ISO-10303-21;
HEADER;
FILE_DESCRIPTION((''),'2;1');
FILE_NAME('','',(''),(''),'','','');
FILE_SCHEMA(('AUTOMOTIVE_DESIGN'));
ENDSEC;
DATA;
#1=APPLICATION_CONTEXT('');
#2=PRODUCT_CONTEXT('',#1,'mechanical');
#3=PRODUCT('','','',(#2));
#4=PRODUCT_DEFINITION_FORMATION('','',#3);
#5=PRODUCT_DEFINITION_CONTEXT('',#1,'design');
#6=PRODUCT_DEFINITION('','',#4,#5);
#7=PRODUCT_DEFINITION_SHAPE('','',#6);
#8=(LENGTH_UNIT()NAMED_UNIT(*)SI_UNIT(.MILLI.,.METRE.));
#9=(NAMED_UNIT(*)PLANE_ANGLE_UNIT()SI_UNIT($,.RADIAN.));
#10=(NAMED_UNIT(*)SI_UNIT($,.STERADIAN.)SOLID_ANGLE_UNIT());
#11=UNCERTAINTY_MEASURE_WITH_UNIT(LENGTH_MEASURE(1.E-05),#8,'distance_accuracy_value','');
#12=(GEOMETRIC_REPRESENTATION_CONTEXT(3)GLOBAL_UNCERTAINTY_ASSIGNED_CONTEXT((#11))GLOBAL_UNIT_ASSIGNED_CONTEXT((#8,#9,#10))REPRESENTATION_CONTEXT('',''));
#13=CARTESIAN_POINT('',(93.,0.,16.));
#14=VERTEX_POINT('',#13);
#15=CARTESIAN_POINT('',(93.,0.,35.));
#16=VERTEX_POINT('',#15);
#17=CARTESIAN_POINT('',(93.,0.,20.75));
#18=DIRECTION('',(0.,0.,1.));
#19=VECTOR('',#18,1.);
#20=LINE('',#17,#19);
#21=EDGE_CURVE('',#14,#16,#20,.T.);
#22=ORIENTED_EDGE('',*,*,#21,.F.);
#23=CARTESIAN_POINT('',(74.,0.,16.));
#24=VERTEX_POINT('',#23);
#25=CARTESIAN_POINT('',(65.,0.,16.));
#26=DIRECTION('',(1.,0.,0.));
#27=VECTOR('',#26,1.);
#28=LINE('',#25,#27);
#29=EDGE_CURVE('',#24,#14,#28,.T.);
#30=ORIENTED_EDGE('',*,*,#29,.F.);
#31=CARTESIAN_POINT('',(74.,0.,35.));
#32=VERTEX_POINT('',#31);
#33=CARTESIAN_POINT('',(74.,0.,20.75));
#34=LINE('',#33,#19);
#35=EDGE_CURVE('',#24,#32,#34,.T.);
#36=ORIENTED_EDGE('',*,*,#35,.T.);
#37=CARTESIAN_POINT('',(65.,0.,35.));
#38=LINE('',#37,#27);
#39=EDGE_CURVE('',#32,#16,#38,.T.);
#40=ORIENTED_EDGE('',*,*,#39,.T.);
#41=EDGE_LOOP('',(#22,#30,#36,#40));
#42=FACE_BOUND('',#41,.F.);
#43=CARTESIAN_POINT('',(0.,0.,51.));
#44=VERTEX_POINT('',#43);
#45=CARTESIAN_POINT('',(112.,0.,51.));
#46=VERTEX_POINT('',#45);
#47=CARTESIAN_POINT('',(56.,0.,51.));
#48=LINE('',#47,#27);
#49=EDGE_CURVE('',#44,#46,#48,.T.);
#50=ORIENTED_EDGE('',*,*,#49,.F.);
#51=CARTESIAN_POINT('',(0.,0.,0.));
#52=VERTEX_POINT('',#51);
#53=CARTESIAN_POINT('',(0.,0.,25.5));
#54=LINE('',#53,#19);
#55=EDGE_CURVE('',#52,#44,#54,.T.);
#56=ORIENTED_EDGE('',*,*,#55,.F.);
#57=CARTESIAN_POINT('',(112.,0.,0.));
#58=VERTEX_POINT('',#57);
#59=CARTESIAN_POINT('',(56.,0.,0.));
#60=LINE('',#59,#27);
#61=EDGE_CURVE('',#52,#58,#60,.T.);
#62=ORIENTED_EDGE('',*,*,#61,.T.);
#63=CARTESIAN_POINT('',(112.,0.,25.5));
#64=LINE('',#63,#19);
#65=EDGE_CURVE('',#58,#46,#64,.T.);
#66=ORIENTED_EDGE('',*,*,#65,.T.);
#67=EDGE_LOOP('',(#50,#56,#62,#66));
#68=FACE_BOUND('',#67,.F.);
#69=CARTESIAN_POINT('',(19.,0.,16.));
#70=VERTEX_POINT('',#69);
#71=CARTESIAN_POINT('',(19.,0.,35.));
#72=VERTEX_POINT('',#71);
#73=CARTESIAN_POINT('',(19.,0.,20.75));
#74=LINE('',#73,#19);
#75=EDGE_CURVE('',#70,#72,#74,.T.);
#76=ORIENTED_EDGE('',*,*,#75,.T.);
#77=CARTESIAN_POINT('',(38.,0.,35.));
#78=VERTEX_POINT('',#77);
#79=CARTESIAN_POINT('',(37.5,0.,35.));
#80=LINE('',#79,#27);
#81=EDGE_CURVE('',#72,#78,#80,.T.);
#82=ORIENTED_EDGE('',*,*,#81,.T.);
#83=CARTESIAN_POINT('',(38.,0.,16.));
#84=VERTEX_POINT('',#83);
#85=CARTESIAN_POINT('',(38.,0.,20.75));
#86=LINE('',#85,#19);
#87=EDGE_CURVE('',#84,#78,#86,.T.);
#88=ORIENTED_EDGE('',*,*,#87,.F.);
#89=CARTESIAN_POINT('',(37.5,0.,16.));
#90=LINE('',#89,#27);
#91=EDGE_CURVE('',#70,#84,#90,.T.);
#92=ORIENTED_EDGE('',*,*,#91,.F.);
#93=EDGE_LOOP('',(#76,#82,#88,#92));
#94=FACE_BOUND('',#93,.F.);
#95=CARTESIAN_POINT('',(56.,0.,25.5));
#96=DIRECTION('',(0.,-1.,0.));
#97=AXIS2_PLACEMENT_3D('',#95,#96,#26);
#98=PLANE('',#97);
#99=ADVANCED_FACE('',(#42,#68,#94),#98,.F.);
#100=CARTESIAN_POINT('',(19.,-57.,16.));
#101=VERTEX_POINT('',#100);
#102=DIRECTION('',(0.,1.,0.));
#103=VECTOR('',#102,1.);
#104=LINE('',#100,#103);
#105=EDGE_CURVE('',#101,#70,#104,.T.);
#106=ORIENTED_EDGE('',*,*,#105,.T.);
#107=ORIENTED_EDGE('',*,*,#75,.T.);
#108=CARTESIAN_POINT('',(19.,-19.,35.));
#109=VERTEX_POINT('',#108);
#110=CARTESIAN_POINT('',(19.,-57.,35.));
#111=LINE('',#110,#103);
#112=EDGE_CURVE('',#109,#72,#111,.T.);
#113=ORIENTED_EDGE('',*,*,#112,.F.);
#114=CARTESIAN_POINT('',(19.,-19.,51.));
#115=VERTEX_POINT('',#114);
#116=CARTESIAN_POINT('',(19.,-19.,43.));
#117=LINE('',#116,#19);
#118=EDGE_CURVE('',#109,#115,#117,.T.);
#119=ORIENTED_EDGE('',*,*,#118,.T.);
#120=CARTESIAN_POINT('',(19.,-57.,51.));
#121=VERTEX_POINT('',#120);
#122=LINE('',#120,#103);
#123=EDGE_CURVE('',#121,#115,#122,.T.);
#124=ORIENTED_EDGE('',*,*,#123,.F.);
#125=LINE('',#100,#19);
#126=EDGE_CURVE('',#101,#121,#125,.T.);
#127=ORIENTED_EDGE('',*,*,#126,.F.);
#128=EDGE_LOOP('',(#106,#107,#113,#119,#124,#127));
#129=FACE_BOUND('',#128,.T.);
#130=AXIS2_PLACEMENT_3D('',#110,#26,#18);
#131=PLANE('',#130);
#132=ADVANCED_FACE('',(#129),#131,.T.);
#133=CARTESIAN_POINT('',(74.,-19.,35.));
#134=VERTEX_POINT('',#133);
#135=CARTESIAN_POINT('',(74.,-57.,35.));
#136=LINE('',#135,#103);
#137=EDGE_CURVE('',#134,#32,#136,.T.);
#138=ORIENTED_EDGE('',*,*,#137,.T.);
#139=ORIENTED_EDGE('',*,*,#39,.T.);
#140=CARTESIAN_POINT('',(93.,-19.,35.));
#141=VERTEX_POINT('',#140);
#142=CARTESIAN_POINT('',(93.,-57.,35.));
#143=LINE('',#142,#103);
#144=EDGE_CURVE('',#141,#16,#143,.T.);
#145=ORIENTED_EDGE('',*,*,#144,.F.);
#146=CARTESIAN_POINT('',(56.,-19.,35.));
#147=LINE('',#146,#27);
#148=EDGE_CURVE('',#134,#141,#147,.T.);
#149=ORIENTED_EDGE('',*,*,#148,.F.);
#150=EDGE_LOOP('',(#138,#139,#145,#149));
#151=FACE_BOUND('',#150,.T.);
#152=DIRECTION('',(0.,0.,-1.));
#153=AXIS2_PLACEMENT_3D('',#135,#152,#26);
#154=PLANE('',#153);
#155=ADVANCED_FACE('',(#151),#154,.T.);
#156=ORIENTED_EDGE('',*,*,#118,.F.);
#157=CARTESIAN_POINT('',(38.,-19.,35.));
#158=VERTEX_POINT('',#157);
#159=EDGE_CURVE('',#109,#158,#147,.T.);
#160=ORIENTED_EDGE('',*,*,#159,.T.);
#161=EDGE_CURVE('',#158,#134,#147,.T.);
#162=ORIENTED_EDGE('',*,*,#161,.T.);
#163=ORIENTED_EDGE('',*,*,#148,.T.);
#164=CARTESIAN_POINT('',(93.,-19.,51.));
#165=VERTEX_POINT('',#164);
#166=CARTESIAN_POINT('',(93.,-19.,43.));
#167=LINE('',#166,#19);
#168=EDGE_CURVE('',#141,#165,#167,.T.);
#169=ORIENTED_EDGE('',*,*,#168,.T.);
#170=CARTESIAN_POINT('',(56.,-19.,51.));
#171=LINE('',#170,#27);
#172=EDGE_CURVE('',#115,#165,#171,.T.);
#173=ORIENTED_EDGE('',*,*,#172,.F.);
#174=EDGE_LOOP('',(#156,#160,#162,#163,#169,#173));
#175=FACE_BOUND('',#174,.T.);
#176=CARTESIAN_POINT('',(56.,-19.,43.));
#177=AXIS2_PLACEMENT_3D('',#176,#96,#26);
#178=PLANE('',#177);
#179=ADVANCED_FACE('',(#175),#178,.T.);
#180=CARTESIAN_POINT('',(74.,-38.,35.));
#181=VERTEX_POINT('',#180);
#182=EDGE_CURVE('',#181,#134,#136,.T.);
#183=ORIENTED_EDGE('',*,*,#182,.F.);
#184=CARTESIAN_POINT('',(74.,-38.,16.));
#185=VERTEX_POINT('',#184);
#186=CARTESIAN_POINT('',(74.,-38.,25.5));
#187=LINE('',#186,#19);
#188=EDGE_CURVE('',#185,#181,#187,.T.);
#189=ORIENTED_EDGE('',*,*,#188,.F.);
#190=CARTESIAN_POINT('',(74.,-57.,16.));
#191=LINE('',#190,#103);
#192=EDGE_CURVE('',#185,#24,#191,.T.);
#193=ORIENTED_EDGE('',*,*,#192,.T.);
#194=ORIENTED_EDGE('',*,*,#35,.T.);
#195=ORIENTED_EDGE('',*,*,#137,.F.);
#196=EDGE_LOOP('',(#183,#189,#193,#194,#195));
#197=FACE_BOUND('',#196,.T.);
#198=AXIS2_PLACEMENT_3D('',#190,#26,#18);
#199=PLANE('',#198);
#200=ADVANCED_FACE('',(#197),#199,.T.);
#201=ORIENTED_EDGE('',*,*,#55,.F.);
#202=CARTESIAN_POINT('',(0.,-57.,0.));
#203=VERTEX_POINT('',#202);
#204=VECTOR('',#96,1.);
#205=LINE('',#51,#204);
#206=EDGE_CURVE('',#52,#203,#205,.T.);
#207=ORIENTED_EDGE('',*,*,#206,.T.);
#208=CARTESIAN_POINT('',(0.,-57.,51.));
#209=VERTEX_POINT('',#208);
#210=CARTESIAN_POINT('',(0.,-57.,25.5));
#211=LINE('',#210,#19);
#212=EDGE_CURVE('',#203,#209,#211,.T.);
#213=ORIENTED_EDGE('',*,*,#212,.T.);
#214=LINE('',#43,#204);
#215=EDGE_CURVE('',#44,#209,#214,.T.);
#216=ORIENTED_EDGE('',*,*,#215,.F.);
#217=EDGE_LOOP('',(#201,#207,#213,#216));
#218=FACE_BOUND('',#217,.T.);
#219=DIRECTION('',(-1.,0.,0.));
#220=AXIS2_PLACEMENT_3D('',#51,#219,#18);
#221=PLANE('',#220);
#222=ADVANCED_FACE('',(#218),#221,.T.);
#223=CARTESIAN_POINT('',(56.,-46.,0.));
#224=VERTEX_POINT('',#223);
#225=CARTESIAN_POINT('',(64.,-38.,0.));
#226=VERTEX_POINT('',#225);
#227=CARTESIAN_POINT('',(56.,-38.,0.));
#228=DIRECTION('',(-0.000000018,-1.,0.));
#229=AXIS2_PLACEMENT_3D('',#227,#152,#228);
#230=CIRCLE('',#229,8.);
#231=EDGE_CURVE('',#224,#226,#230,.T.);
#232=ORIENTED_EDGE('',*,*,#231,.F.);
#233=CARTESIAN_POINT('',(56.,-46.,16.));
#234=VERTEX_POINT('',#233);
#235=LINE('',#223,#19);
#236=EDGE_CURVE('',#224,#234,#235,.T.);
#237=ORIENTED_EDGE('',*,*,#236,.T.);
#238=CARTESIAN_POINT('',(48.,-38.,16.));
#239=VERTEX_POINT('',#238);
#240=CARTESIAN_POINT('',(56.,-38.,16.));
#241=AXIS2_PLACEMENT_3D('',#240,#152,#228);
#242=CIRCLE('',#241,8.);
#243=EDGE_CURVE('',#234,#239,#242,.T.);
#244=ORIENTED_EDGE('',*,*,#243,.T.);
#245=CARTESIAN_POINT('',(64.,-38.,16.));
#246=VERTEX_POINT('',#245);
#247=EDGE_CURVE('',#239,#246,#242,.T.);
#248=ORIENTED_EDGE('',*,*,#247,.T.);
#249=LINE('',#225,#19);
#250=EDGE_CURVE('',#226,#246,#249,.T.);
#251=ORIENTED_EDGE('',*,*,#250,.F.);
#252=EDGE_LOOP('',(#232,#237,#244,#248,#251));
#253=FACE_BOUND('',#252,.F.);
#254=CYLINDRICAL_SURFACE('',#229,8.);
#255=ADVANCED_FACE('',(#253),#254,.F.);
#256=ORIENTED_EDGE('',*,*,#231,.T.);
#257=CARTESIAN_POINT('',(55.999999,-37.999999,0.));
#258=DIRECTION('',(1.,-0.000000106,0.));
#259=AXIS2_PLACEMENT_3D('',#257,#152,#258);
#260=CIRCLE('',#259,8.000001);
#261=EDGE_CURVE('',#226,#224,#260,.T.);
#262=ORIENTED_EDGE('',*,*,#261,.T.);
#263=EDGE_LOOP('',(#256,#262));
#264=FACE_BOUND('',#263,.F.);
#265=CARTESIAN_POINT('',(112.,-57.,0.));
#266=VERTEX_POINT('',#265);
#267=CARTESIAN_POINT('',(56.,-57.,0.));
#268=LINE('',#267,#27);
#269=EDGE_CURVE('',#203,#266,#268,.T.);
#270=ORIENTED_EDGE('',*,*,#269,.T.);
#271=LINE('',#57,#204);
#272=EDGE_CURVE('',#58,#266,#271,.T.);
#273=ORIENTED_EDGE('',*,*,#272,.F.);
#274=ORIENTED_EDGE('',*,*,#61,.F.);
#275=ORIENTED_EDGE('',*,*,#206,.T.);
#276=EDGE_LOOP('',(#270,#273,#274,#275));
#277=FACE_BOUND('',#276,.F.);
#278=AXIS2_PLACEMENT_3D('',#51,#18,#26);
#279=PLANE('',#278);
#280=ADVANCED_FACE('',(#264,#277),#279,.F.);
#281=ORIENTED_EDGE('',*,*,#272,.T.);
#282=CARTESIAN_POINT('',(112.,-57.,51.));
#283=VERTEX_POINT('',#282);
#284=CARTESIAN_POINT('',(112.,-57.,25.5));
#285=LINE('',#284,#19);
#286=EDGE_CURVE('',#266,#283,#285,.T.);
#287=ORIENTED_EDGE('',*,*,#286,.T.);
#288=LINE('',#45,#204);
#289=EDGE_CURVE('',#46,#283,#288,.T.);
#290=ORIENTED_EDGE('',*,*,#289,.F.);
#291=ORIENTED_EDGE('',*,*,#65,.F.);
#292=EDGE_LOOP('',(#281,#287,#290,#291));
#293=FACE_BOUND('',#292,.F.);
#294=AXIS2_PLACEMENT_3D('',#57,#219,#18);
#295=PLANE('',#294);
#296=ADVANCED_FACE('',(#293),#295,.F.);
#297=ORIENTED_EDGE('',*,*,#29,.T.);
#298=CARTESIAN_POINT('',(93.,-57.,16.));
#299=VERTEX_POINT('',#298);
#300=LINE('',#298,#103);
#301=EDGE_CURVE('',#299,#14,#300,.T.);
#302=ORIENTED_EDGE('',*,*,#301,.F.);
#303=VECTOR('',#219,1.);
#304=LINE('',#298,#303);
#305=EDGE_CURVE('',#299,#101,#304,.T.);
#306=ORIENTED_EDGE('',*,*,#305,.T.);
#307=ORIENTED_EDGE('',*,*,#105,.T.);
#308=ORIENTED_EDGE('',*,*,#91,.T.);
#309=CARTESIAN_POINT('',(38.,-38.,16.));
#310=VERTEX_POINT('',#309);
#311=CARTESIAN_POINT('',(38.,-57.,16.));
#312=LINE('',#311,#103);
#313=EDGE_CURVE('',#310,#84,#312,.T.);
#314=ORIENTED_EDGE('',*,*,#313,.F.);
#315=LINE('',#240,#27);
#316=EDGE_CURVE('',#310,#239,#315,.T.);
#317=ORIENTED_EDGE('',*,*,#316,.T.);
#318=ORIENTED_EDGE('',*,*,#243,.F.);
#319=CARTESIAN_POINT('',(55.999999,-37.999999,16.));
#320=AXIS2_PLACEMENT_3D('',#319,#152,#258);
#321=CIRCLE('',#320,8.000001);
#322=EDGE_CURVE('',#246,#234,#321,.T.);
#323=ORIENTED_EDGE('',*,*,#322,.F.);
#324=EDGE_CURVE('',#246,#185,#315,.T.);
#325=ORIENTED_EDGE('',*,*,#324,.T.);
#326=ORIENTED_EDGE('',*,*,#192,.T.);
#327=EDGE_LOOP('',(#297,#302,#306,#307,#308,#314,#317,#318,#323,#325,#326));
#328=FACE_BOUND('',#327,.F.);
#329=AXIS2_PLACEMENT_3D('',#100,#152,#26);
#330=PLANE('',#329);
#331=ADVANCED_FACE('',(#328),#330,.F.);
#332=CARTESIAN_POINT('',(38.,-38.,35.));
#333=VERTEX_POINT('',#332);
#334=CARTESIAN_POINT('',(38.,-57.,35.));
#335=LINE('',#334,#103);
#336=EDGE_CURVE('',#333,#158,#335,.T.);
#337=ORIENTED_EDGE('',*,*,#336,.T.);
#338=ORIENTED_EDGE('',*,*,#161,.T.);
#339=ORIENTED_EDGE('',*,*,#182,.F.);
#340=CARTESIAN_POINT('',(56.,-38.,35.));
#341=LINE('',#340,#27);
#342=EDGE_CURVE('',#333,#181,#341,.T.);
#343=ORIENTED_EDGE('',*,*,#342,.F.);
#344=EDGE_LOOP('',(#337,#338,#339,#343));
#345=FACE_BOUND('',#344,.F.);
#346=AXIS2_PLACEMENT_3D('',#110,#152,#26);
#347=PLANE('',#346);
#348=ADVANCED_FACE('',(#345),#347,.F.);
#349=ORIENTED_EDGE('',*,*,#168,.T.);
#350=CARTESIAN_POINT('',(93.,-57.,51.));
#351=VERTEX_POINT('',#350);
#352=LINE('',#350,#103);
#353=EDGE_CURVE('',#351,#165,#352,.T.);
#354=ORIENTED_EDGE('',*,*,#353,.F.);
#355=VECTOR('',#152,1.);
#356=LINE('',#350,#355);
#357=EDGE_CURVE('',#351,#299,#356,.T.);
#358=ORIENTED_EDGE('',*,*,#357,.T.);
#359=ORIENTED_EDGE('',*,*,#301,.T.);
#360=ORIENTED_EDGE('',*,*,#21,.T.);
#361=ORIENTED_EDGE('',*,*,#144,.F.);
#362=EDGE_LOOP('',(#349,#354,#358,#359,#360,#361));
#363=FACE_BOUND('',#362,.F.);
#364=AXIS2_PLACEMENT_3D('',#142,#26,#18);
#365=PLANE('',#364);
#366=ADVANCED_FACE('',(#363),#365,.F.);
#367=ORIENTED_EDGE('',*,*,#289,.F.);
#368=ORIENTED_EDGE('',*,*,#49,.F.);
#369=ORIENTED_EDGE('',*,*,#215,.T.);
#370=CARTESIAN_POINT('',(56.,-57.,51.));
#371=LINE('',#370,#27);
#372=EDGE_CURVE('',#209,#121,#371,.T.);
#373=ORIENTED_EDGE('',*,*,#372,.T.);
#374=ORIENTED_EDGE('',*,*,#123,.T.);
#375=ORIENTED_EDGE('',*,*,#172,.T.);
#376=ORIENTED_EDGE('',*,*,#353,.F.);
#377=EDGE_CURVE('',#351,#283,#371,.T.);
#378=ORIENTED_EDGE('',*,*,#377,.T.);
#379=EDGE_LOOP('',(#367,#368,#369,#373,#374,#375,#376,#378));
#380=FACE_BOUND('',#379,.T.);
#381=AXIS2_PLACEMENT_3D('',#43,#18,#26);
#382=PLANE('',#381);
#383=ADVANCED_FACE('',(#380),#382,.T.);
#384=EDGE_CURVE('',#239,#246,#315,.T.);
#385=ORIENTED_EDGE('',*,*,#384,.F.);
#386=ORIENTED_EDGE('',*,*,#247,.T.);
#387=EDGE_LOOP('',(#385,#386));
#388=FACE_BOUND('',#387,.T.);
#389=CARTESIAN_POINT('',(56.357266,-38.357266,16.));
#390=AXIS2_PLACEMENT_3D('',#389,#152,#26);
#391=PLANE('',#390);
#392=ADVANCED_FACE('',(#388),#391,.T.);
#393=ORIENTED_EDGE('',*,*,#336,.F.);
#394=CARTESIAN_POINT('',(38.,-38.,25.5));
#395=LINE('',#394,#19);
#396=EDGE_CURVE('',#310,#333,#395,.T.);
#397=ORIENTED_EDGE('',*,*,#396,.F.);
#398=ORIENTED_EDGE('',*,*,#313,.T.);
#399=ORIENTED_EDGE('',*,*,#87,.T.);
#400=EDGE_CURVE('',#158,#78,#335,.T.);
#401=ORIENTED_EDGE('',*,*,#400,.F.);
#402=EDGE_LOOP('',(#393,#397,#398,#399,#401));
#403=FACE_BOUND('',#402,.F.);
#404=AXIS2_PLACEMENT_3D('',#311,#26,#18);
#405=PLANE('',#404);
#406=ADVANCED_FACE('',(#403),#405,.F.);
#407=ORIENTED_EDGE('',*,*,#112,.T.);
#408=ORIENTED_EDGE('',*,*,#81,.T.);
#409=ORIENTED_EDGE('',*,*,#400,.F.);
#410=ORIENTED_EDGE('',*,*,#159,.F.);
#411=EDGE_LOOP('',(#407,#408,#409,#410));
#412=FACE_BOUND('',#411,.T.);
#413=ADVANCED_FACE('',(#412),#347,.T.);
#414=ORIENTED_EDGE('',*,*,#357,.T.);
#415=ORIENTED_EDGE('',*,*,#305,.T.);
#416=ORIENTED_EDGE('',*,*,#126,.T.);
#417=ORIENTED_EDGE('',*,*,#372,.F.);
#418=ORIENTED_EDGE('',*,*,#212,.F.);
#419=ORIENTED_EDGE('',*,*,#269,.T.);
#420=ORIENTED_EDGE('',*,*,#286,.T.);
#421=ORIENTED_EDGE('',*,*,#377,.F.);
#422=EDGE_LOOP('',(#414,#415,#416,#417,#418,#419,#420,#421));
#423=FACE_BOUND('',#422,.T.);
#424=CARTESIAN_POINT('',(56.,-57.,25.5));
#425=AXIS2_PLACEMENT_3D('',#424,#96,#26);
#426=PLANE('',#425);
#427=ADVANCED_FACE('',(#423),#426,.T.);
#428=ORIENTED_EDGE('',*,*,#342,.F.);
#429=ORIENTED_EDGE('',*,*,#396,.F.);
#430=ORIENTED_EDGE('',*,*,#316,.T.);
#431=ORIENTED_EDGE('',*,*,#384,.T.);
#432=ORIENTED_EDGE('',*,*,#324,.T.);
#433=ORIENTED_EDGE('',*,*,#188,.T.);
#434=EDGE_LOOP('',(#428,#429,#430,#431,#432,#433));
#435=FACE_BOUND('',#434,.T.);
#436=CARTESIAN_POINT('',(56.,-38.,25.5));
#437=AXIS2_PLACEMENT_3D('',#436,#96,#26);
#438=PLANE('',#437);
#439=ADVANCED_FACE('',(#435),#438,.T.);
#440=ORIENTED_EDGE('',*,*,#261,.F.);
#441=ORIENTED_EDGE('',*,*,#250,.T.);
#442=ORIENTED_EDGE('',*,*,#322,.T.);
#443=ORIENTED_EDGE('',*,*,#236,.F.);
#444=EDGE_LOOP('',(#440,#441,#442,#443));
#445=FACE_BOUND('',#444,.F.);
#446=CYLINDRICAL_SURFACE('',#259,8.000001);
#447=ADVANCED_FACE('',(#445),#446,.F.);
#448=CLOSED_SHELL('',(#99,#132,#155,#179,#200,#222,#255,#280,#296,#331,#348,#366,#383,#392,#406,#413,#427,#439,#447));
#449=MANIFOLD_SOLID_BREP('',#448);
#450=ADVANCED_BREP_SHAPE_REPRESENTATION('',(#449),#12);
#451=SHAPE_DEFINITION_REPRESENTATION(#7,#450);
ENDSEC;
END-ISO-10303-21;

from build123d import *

# Parameters (mm, degrees)
F0_W     = 112
F0_H     = 51
F1_DEPTH = 57
F2_W     = 74
F2_H     = 16
F3_DEPTH = 38
F4_W     = 19
F4_H     = 19
F5_DEPTH = 57.001
F6_W     = 36
F6_H     = 19
F7_DEPTH = 19
F9_DEPTH = 16


with BuildPart() as f1:
    # F0 (on Front) → F1 (new body)
    with BuildSketch(Plane.XZ):
        with Locations((56, 25.5)):
            Rectangle(F0_W, F0_H)
    extrude(amount=F1_DEPTH)

    # F2 (on face) → F3 (cut)
    with BuildSketch(Plane.XZ.offset(57)):
        with Locations((56, 43)):
            Rectangle(F2_W, F2_H)
    extrude(amount=-F3_DEPTH, mode=Mode.SUBTRACT)

    # F4 (on face) → F5 (cut, through all)
    with BuildSketch(Plane.XZ.offset(57)):
        with Locations((28.5, 25.5)):
            Rectangle(F4_W, F4_H)
        with Locations((83.5, 25.5)):
            Rectangle(F4_W, F4_H)
    extrude(amount=-F5_DEPTH, mode=Mode.SUBTRACT)

    # F6 (on face) → F7 (cut)
    with BuildSketch(Plane.XZ.offset(57)):
        with Locations((56, 25.5)):
            Rectangle(F6_W, F6_H)
    extrude(amount=-F7_DEPTH, mode=Mode.SUBTRACT)

    # F8 (on face) → F9 (cut)
    with BuildSketch(Plane(origin=(0, 0, 0), x_dir=(1, 0, 0), z_dir=(0, 0, -1))):
        with BuildLine():
            ThreePointArc((64, 38), (61.656854, 43.656854), (56, 46))
            ThreePointArc((56, 46), (50.343146, 32.343146), (64, 38))
        make_face()
    extrude(amount=-F9_DEPTH, mode=Mode.SUBTRACT)


solid = f1.part
